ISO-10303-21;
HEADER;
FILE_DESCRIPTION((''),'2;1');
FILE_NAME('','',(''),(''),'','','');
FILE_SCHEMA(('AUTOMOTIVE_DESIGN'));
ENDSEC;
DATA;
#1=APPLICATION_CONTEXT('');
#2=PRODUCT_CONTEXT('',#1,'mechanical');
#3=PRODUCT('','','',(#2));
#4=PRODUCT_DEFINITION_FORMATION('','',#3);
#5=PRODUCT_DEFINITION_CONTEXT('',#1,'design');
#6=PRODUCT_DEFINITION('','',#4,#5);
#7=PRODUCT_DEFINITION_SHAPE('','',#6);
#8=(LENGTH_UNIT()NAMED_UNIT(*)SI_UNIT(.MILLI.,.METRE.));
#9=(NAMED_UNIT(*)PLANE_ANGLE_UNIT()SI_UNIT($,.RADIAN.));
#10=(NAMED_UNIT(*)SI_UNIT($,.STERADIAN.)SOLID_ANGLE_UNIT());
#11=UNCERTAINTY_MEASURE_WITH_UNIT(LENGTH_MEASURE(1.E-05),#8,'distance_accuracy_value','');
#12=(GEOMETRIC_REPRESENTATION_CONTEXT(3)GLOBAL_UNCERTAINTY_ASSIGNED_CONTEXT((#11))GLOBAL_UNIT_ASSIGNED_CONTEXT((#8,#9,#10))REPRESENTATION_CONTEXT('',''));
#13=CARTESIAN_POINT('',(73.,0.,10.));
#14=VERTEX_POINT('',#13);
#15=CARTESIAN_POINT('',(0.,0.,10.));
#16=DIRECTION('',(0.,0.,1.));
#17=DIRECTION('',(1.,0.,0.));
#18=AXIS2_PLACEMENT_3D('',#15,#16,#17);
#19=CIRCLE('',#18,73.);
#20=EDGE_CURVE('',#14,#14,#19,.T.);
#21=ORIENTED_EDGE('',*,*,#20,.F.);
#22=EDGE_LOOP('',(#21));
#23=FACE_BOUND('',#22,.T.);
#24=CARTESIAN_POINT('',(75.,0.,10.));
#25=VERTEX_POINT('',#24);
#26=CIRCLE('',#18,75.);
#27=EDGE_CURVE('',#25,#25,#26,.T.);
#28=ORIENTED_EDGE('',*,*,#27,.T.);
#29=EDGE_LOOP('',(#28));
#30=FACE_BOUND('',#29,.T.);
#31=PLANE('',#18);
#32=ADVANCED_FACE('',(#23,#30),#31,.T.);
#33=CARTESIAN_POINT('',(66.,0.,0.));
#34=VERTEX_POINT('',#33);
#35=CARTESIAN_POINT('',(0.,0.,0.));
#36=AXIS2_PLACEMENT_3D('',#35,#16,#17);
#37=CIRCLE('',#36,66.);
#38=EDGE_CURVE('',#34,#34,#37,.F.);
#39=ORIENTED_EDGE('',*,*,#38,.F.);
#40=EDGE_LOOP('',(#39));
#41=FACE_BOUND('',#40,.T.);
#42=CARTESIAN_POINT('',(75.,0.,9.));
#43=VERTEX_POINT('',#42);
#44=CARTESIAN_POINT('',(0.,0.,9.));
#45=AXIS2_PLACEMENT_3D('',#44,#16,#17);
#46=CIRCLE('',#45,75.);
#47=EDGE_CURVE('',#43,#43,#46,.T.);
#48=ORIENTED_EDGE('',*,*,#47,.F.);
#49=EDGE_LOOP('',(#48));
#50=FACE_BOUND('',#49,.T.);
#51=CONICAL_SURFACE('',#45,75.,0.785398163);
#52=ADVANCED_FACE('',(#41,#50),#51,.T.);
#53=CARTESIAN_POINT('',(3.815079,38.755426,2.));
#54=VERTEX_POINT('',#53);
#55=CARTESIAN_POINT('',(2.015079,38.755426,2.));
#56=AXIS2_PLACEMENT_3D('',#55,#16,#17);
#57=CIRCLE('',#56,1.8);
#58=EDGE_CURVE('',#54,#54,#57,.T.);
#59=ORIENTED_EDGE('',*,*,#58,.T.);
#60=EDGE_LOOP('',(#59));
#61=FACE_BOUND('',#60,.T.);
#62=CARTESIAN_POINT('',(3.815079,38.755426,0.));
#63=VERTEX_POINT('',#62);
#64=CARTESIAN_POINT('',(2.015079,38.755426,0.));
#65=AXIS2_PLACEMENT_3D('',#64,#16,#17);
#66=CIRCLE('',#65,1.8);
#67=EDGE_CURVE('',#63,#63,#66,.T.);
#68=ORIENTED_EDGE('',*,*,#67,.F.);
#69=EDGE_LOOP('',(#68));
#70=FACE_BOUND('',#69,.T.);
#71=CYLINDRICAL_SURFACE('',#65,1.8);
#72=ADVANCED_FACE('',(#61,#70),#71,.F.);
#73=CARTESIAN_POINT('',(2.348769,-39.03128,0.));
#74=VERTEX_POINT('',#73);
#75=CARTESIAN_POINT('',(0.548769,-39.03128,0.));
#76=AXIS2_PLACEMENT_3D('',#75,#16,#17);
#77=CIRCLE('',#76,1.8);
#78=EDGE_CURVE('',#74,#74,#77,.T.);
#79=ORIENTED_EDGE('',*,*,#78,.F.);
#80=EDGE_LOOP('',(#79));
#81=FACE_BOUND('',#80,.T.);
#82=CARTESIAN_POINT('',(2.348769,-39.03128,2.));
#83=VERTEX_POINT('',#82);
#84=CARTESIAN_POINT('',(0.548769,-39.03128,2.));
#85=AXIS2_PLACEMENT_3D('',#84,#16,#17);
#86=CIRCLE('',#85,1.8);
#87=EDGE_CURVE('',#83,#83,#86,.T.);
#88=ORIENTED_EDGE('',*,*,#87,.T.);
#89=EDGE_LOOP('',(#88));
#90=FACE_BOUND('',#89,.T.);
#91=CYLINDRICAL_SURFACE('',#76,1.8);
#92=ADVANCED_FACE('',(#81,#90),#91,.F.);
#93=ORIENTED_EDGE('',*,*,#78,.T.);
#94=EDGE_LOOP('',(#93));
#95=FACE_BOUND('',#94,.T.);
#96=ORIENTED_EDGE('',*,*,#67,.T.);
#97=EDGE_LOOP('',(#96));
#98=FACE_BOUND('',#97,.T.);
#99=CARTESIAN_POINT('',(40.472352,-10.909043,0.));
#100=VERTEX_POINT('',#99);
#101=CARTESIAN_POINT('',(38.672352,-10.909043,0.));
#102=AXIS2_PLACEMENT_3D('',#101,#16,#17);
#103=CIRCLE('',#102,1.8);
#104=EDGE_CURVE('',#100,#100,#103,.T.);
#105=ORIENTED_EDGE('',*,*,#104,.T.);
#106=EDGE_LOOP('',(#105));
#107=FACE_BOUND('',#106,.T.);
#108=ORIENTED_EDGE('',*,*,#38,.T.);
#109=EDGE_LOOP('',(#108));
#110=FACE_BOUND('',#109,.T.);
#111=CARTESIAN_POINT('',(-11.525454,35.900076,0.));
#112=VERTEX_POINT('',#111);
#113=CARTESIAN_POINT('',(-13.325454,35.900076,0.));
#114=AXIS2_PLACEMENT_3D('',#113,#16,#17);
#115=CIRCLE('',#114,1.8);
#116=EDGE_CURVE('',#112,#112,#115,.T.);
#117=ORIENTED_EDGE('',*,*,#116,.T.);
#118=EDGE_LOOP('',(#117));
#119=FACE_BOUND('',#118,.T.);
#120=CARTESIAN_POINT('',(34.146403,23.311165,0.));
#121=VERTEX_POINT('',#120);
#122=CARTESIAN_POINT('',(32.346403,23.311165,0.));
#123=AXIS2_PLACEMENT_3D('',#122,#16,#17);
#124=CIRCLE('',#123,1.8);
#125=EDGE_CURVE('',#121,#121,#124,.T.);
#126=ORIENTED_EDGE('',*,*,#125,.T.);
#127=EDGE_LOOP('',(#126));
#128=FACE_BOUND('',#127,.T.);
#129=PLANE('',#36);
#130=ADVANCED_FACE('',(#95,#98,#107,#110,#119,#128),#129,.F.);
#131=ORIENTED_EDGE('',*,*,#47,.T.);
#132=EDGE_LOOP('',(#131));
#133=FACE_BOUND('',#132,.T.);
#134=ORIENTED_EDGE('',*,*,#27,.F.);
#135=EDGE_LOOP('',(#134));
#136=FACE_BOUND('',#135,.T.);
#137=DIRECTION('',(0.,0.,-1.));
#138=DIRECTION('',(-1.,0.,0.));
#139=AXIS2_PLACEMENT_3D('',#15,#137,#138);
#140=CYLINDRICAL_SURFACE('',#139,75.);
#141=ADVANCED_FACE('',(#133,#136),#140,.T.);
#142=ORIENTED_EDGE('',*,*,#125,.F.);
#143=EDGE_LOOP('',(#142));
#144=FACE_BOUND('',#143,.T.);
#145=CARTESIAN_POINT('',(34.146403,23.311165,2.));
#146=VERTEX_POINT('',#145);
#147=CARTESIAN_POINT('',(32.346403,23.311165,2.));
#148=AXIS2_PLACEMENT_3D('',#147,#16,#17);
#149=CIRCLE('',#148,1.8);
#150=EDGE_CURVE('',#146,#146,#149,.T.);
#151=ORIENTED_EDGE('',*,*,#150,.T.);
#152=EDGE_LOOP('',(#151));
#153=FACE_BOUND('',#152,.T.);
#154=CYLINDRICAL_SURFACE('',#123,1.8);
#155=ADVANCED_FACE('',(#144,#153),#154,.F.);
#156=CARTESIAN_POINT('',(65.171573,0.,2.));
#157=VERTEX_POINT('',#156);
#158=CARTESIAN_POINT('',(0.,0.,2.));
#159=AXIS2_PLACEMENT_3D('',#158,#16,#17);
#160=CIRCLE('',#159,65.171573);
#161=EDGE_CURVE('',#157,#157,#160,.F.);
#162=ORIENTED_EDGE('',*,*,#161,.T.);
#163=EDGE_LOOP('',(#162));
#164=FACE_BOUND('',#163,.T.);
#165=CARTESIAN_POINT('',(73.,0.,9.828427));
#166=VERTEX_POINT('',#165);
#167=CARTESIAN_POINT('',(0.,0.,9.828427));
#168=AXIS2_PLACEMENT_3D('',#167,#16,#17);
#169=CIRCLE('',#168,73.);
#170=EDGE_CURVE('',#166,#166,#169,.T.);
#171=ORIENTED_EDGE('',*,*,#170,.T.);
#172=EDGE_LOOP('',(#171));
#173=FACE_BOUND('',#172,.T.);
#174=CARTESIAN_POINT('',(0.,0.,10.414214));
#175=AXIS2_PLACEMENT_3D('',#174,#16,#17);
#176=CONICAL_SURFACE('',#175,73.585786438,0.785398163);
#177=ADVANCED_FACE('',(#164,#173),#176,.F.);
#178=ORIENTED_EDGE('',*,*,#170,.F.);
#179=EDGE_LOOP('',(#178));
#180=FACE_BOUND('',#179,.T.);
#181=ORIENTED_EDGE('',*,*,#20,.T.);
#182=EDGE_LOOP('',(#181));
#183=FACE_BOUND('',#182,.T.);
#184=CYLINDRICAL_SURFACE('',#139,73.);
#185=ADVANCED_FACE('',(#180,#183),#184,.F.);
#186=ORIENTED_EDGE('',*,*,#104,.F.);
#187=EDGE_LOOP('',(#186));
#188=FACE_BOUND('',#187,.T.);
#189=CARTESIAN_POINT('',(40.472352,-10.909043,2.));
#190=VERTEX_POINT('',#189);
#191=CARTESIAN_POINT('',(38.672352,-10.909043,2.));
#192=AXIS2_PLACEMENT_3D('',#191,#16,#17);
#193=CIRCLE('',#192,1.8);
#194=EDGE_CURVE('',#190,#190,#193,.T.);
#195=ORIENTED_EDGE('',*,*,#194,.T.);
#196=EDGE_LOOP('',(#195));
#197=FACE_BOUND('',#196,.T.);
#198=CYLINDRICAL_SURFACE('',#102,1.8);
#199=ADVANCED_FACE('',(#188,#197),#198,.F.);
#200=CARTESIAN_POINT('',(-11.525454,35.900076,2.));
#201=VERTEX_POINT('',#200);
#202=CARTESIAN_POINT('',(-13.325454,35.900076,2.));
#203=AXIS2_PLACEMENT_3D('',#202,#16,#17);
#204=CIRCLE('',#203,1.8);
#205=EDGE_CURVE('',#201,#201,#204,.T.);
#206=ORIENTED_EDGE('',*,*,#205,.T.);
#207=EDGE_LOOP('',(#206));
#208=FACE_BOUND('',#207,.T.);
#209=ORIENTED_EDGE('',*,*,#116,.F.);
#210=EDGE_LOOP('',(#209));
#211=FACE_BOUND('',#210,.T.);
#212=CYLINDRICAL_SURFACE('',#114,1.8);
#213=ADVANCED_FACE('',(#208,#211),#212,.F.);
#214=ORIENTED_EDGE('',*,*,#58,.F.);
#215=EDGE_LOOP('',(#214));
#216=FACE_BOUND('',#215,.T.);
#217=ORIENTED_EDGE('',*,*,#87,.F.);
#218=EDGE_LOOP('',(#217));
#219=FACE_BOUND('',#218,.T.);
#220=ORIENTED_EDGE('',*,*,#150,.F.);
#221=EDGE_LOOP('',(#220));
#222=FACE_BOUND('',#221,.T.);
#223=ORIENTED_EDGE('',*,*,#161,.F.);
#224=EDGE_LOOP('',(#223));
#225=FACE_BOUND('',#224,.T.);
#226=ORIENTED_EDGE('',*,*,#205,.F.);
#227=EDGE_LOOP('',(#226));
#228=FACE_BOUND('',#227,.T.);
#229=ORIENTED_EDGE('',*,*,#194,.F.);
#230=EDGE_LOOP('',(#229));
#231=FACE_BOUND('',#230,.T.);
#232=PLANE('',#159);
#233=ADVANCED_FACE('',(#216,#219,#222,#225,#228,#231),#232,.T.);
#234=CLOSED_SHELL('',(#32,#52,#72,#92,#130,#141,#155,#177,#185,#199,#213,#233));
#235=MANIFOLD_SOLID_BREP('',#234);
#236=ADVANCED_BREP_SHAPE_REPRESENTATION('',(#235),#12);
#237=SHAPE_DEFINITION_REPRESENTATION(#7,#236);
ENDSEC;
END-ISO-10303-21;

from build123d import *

# Parameters (mm, degrees)
SKETCH1_R           = 75
BOSS_EXTRUDE1_DEPTH = 10
CHAMFER1_SIZE       = 9
SHELL1_T            = -2
SKETCH2_R           = 1.8
CUT_EXTRUDE1_DEPTH  = 107.367288205


with BuildPart() as part:
    # Sketch1 → Boss-Extrude1 (new body)
    with BuildSketch(Plane.XY):
        Circle(SKETCH1_R)
    extrude(amount=BOSS_EXTRUDE1_DEPTH)

    # Chamfer1
    chamfer1_edges = [part.edges().sort_by_distance(p)[0] for p in [
        (-75, 0, 0),
    ]]
    chamfer(chamfer1_edges, length=CHAMFER1_SIZE)

    # Shell1
    shell1_openings = [part.faces().sort_by_distance(p)[0] for p in [
        (0, 0, 10),
    ]]
    offset(amount=SHELL1_T, openings=shell1_openings, kind=Kind.INTERSECTION)

    # Sketch2 → Cut-Extrude1 (cut, through all)
    with BuildSketch(Plane.XY.offset(2)):
        with Locations((2.015078633, 38.755426444)):
            Circle(SKETCH2_R)
        with Locations((-13.325453752, 35.900076006)):
            Circle(SKETCH2_R)
        with Locations((0.548769327, -39.031280101)):
            Circle(SKETCH2_R)
        with Locations((38.672351506, -10.909043386)):
            Circle(SKETCH2_R)
        with Locations((32.346402761, 23.31116451)):
            Circle(SKETCH2_R)
    extrude(amount=-CUT_EXTRUDE1_DEPTH, mode=Mode.SUBTRACT)


solid = part.part
